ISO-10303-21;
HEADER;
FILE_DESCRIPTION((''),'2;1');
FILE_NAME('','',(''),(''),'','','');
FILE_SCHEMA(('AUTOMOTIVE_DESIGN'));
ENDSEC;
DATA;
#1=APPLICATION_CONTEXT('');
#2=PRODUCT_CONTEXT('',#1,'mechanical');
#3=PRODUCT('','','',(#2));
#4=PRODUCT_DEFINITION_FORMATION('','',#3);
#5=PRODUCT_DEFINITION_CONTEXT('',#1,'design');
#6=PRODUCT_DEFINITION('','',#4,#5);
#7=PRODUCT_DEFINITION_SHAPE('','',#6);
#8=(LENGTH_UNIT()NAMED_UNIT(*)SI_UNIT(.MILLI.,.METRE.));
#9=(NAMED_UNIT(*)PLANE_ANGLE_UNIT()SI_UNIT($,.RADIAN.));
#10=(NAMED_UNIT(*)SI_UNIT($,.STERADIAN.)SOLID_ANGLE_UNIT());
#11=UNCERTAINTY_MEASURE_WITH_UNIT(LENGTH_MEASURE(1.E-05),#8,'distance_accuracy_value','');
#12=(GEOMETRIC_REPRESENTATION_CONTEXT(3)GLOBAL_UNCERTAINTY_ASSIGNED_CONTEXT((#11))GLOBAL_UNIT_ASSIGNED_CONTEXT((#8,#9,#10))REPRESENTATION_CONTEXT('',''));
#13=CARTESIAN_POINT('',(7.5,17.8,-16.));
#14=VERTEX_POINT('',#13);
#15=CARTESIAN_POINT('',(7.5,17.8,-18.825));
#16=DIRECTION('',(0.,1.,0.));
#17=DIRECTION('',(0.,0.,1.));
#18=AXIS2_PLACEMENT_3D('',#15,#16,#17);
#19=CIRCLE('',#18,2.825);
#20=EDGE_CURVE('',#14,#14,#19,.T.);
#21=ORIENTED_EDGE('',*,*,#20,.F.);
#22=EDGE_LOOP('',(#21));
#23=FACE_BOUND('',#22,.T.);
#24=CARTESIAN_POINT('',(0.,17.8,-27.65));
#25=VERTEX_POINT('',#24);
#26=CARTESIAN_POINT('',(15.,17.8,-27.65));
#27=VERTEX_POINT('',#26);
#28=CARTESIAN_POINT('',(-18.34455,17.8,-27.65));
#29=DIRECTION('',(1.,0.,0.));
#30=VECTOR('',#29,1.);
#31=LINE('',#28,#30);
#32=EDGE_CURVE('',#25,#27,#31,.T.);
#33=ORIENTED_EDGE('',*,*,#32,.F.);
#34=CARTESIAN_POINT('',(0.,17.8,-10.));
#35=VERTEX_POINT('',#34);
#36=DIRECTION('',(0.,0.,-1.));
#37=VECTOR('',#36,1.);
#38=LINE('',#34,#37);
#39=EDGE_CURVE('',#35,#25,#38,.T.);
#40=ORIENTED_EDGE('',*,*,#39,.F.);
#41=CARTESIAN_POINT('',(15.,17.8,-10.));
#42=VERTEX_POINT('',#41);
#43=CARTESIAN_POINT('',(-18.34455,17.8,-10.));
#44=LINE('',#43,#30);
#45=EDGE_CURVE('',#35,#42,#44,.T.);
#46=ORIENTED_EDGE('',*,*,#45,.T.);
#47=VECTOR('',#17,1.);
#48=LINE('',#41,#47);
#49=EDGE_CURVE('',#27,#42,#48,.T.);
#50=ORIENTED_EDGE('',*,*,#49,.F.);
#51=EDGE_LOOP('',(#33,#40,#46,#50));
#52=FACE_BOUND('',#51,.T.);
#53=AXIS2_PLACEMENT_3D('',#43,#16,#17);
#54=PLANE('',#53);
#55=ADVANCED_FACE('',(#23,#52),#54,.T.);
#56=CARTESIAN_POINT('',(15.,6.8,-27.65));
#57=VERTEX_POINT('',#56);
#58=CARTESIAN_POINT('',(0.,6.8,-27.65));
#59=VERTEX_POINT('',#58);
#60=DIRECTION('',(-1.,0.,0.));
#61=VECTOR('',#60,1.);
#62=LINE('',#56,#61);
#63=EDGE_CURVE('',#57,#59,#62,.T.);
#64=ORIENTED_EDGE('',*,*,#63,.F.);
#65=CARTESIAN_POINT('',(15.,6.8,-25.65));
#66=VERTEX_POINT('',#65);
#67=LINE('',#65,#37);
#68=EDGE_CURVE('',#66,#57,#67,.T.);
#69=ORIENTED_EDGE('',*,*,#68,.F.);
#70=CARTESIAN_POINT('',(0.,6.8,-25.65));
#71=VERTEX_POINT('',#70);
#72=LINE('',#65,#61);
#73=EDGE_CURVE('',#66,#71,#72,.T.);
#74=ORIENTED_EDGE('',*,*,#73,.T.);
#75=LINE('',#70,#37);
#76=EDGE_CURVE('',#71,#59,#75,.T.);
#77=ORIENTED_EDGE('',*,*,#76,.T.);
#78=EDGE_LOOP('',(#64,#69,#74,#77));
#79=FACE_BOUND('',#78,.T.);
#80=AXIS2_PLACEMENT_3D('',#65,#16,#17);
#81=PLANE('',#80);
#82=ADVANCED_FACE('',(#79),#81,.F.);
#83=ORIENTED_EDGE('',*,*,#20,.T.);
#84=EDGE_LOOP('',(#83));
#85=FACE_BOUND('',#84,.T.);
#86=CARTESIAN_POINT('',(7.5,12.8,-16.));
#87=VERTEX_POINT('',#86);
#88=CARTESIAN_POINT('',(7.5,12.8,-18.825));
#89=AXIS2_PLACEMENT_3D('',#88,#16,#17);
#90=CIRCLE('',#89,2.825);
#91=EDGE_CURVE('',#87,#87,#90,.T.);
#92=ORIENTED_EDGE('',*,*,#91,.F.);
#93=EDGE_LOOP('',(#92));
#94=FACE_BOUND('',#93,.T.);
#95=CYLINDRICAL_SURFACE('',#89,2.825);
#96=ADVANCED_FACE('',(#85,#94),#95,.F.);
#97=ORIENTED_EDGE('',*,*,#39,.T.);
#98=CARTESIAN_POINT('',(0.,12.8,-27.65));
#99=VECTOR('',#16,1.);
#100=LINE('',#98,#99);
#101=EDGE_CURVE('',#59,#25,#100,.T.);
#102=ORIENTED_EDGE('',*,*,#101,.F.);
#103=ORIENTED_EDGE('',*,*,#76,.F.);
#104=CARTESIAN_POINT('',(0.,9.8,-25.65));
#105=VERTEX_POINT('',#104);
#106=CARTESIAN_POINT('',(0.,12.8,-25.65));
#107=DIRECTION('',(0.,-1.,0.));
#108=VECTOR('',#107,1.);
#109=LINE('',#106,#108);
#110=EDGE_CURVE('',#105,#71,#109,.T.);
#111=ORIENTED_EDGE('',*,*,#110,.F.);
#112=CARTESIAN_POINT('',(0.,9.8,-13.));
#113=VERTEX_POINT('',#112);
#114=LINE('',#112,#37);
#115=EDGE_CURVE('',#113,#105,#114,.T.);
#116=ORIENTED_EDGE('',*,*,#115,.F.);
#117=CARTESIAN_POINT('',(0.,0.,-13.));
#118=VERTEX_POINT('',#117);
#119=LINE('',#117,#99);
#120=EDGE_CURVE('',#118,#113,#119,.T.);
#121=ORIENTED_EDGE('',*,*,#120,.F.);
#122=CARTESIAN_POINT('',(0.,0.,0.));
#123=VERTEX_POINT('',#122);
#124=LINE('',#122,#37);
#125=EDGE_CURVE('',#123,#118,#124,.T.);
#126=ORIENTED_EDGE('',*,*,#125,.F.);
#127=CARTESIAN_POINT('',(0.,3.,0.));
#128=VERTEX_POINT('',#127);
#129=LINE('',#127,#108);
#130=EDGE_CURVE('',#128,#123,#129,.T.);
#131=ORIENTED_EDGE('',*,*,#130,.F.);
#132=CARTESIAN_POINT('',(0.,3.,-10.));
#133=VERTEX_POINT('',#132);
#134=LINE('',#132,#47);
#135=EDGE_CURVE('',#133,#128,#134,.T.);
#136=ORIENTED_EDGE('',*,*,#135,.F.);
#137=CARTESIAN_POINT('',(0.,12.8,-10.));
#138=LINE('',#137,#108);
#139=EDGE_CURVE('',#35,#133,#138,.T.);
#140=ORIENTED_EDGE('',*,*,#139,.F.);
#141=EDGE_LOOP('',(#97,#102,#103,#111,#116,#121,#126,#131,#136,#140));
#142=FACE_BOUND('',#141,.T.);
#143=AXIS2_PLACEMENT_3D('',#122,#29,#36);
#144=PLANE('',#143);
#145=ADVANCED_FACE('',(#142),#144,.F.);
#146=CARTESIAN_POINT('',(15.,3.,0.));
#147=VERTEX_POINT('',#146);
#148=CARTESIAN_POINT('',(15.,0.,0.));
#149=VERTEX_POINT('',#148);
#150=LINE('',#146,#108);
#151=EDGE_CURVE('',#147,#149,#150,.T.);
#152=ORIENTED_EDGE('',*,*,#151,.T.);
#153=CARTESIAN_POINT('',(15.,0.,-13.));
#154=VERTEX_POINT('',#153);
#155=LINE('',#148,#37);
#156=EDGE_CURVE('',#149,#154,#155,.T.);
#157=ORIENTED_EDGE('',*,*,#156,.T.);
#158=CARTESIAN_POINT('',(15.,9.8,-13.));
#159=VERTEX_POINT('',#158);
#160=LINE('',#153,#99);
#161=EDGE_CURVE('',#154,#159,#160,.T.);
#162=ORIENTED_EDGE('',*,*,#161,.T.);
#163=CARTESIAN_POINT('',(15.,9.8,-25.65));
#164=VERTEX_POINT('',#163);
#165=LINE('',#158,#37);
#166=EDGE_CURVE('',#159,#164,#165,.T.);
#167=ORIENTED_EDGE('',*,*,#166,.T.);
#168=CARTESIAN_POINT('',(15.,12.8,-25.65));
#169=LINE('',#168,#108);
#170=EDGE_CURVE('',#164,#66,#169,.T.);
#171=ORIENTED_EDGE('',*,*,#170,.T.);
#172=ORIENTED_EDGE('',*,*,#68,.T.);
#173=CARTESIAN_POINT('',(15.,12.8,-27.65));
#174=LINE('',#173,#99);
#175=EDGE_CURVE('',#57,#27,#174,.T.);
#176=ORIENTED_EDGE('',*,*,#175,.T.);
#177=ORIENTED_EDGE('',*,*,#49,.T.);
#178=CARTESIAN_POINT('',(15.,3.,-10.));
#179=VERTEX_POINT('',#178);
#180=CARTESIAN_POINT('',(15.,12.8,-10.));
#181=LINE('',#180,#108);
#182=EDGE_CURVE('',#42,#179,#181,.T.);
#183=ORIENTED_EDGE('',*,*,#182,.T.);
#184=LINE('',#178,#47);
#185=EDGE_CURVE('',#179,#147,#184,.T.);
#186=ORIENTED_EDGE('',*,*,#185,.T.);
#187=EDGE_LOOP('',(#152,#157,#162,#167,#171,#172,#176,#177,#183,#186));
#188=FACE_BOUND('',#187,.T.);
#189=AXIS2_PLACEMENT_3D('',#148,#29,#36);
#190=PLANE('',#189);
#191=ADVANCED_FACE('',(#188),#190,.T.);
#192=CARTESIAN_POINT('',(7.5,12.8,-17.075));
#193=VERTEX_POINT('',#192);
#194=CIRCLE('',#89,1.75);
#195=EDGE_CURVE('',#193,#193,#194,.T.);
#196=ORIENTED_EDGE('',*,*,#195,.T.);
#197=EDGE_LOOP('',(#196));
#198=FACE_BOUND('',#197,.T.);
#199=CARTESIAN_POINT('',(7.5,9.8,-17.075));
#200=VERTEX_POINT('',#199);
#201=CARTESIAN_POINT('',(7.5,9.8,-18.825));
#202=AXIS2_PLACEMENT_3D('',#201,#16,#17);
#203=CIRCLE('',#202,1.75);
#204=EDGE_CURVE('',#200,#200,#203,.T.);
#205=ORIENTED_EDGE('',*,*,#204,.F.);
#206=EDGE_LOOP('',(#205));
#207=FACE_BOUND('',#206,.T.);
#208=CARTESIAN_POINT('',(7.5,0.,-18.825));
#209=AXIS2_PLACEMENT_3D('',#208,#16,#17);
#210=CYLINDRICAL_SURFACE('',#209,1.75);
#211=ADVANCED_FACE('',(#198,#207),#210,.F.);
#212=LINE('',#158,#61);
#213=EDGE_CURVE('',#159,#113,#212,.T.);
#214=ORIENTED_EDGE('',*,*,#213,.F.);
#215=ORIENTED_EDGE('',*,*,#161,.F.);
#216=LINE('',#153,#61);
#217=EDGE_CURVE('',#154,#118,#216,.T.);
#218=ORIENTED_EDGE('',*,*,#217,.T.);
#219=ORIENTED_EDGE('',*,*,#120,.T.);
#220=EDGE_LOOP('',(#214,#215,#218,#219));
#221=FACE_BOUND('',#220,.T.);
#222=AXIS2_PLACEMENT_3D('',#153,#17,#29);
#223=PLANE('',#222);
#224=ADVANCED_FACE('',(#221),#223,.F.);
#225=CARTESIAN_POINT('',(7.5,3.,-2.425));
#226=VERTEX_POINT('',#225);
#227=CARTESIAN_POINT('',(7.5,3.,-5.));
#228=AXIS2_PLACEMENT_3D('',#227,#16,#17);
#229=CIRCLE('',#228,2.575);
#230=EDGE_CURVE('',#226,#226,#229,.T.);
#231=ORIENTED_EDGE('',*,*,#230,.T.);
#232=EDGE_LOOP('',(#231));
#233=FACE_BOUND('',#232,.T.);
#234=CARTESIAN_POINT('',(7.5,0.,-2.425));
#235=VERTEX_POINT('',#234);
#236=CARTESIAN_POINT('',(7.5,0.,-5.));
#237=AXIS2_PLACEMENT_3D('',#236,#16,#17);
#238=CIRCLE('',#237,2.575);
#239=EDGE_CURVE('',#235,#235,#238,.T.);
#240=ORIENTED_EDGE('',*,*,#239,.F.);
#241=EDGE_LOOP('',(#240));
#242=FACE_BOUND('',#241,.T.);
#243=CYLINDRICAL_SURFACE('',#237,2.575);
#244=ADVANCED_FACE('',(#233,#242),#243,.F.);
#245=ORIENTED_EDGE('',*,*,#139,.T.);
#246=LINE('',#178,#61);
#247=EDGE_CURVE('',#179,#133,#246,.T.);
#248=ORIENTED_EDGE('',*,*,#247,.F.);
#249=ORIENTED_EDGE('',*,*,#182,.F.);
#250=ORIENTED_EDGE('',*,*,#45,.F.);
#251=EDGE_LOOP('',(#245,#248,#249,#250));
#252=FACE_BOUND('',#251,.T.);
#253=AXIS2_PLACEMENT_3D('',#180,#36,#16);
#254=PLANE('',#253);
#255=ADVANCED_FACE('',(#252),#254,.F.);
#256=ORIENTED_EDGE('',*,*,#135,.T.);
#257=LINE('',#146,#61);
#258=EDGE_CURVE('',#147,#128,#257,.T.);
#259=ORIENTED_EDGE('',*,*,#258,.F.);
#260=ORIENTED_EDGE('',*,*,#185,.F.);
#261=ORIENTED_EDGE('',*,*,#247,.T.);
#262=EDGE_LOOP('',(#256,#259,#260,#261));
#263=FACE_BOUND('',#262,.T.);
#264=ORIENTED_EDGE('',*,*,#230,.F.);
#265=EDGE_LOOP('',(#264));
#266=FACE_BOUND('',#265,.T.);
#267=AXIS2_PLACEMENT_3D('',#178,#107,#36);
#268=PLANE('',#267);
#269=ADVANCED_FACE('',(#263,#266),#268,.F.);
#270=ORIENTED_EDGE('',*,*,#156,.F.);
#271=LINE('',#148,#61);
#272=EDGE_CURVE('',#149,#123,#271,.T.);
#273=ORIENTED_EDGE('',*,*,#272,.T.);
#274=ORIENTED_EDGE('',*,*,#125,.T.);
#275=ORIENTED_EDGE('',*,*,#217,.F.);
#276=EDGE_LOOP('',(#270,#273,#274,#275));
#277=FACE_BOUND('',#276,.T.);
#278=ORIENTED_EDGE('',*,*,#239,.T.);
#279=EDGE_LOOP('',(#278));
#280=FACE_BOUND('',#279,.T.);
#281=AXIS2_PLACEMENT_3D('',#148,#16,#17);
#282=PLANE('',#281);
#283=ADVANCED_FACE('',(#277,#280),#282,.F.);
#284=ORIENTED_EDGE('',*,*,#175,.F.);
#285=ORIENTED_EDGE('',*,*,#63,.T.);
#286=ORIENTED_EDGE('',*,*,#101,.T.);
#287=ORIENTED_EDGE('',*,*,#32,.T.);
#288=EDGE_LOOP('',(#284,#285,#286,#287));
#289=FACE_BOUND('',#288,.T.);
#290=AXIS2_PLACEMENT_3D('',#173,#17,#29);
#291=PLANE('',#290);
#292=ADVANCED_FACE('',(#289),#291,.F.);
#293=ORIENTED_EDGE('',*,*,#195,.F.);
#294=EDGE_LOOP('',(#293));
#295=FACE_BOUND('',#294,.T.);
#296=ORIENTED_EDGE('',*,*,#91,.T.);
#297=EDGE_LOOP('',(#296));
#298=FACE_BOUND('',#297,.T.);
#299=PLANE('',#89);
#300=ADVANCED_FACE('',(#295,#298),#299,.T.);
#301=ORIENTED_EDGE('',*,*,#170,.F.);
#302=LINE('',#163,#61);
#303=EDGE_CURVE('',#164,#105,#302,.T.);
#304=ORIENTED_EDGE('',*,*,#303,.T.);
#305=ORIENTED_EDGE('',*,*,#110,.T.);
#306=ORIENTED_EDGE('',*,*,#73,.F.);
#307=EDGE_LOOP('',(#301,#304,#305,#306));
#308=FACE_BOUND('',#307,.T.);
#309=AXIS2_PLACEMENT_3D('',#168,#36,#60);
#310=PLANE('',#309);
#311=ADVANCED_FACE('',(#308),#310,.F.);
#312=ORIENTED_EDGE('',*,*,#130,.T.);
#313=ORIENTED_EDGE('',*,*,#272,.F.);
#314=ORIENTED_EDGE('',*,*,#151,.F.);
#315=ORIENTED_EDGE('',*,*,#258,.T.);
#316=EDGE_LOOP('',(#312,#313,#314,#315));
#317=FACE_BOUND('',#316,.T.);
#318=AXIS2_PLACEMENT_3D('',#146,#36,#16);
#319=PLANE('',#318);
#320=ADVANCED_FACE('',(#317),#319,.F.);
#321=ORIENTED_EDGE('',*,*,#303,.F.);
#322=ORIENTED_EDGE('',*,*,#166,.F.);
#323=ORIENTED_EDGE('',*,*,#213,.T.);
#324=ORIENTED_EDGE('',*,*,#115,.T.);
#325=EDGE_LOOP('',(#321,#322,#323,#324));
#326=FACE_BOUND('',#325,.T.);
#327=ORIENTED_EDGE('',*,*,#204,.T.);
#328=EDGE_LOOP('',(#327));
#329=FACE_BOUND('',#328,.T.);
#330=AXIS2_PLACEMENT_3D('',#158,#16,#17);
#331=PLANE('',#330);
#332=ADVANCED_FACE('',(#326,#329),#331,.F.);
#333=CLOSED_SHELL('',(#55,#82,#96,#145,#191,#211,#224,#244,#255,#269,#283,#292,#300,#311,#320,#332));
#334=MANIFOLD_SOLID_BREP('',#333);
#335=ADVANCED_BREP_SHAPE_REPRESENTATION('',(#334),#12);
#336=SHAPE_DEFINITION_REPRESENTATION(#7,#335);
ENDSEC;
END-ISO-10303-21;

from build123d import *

# Parameters (mm, degrees)
SALIENTE_EXTRUIR1_DEPTH = 15
CROQUIS4_W              = 2
CROQUIS4_H              = 6
SALIENTE_EXTRUIR2_DEPTH = 15
CROQUIS5_R              = 2.575
CORTAR_EXTRUIR1_DEPTH   = 4
CROQUIS6_W              = 17.65
CROQUIS6_H              = 5
SALIENTE_EXTRUIR3_DEPTH = 15
CROQUIS7_R              = 2.825
CORTAR_EXTRUIR2_DEPTH   = 5
CROQUIS8_R              = 1.75
CORTAR_EXTRUIR3_DEPTH   = 13.8


with BuildPart() as part:
    # Croquis2 → Saliente-Extruir1 (new body)
    with BuildSketch(Plane(origin=(0, 0, 0), x_dir=(0, 0, -1), z_dir=(1, 0, 0))):
        Polygon((0, 0), (13, 0), (13, 9.8), (25.65, 9.8), (25.65, 12.8), (10, 12.8), (10, 3), (0, 3), align=None)
    extrude(amount=SALIENTE_EXTRUIR1_DEPTH)

    # Croquis4 → Saliente-Extruir2 (add, through all)
    with BuildSketch(Plane(origin=(0, 0, 0), x_dir=(0, 0, -1), z_dir=(1, 0, 0))):
        with Locations((26.65, 9.8)):
            Rectangle(CROQUIS4_W, CROQUIS4_H)
    extrude(amount=SALIENTE_EXTRUIR2_DEPTH)

    # Croquis5 → Cortar-Extruir1 (cut, through all)
    with BuildSketch(Plane(origin=(0, 3, 0), x_dir=(1, 0, 0), z_dir=(0, 1, 0))):
        with Locations((7.5, 5)):
            Circle(CROQUIS5_R)
    extrude(amount=-CORTAR_EXTRUIR1_DEPTH, mode=Mode.SUBTRACT)

    # Croquis6 → Saliente-Extruir3 (add)
    with BuildSketch(Plane(origin=(15, 0, 0), x_dir=(0, 0, -1), z_dir=(1, 0, 0))):
        with Locations((18.825, 15.3)):
            Rectangle(CROQUIS6_W, CROQUIS6_H)
    extrude(amount=-SALIENTE_EXTRUIR3_DEPTH)

    # Croquis7 → Cortar-Extruir2 (cut)
    with BuildSketch(Plane(origin=(0, 17.8, 0), x_dir=(1, 0, 0), z_dir=(0, 1, 0))):
        with Locations((7.5, 18.825)):
            Circle(CROQUIS7_R)
    extrude(amount=-CORTAR_EXTRUIR2_DEPTH, mode=Mode.SUBTRACT)

    # Croquis8 → Cortar-Extruir3 (cut, through all)
    with BuildSketch(Plane(origin=(0, 12.8, 0), x_dir=(1, 0, 0), z_dir=(0, 1, 0))):
        with Locations((7.5, 18.825)):
            Circle(CROQUIS8_R)
    extrude(amount=-CORTAR_EXTRUIR3_DEPTH, mode=Mode.SUBTRACT)


solid = part.part
